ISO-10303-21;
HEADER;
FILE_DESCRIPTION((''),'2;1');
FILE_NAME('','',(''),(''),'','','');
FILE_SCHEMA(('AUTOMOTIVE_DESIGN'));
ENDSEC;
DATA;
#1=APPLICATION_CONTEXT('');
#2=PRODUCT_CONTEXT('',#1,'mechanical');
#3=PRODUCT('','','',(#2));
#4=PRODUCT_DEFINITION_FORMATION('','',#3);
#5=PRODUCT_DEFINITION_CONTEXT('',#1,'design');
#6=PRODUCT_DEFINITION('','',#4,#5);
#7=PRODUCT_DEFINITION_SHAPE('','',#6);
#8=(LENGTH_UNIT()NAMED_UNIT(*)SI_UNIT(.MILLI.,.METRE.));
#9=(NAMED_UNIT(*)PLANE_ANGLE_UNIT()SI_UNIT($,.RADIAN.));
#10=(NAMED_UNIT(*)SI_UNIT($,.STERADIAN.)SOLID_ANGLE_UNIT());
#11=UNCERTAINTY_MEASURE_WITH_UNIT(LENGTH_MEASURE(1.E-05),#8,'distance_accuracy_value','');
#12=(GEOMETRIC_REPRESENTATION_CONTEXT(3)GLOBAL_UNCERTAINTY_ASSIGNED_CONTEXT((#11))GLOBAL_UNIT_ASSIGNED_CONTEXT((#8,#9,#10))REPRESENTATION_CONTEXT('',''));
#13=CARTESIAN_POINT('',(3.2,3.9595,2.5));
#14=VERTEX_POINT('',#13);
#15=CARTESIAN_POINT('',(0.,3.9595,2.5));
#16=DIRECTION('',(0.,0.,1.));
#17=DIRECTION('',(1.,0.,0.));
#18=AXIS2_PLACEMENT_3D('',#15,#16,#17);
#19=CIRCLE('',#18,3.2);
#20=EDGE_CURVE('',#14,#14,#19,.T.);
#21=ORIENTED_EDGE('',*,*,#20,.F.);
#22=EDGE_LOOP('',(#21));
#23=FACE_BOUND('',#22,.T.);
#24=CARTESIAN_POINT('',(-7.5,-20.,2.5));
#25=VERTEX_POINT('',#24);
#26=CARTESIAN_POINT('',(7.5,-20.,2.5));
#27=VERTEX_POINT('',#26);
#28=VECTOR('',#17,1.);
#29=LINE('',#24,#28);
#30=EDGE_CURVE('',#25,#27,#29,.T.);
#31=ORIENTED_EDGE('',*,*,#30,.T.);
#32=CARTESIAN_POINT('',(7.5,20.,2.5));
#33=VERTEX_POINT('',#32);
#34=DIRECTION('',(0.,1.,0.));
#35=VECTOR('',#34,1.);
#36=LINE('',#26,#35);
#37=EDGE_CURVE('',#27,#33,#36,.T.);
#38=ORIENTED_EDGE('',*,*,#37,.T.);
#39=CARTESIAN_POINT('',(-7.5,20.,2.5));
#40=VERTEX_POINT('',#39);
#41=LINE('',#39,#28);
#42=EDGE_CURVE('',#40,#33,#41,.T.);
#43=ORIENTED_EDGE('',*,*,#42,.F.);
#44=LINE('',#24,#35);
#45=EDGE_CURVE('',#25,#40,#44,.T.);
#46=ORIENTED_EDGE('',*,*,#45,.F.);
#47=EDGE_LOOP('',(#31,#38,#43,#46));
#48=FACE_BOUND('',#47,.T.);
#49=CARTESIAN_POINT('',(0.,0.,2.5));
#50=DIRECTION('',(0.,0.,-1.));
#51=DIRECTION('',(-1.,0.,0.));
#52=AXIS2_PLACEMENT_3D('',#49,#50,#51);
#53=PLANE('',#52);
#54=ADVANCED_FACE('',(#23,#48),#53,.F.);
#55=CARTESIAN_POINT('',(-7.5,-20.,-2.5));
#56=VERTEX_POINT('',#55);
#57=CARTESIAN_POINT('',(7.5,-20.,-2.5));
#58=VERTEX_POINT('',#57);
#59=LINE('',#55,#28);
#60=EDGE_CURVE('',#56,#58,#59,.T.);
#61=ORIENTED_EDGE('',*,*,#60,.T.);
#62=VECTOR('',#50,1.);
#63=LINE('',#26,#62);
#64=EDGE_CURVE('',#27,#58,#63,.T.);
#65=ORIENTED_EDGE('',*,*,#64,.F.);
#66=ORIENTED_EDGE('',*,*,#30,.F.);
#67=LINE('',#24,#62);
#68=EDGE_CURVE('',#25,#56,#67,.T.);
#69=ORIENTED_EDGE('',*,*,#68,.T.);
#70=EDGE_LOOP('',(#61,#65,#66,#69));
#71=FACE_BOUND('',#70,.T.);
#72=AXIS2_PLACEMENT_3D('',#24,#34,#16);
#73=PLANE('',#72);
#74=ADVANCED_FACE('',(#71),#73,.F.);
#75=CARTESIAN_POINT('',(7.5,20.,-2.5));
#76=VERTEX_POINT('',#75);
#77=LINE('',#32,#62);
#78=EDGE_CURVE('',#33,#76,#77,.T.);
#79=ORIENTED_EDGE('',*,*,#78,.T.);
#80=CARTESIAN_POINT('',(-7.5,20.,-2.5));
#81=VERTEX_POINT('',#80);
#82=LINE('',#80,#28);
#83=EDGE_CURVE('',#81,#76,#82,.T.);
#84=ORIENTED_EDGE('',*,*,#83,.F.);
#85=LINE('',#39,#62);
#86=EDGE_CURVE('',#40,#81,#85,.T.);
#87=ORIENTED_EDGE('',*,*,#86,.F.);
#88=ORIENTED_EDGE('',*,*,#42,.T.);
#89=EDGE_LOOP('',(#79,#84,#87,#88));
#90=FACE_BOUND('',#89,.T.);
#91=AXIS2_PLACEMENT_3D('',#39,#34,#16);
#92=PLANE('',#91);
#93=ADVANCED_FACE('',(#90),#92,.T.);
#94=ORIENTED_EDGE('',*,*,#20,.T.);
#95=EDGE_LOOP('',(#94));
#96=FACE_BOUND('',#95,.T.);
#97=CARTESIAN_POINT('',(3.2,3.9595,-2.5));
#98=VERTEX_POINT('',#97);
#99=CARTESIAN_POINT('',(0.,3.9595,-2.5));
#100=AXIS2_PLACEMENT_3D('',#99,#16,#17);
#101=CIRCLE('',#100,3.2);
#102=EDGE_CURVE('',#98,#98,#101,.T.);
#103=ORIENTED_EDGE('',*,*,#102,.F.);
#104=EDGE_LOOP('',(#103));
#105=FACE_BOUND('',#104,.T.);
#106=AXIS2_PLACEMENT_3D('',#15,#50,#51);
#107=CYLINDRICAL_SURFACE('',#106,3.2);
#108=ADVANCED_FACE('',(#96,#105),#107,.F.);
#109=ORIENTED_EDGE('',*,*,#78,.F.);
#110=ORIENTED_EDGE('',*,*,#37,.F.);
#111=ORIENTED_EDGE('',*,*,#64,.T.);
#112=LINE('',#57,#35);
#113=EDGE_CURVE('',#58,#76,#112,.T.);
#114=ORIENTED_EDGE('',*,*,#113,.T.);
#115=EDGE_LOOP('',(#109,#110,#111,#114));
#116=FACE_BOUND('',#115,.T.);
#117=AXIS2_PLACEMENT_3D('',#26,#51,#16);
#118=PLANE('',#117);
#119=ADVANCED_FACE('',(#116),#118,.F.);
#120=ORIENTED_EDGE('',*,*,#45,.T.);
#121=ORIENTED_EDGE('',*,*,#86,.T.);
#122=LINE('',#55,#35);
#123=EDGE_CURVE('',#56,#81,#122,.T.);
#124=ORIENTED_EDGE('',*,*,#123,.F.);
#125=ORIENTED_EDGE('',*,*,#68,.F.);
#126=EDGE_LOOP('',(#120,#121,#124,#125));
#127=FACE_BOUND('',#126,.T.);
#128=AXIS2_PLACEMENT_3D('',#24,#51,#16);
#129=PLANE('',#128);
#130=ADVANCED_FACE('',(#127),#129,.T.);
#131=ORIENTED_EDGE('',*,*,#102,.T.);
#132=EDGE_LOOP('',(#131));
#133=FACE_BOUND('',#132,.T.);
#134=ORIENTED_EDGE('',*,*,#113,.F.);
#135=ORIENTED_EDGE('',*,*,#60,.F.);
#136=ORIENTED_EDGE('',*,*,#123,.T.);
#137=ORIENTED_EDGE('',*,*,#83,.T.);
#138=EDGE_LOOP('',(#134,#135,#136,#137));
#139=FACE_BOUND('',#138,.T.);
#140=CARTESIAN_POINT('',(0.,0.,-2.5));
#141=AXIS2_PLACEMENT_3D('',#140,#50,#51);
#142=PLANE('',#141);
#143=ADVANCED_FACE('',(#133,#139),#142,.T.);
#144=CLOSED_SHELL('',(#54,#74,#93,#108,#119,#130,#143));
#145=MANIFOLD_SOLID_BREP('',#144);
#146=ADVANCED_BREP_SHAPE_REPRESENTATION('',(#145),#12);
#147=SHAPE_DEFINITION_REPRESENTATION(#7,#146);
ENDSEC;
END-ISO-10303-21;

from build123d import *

# Parameters (mm, degrees)
SKETCH1_W           = 15
SKETCH1_H           = 40
SKETCH1_R           = 3.2
BOSS_EXTRUDE1_DEPTH = 2.5


with BuildPart() as part:
    # Sketch1 → Boss-Extrude1 (new body, symmetric)
    with BuildSketch(Plane.XY):
        Rectangle(SKETCH1_W, SKETCH1_H)
        with Locations((0, 3.9595)):
            Circle(SKETCH1_R, mode=Mode.SUBTRACT)
    extrude(amount=BOSS_EXTRUDE1_DEPTH, both=True)


solid = part.part
